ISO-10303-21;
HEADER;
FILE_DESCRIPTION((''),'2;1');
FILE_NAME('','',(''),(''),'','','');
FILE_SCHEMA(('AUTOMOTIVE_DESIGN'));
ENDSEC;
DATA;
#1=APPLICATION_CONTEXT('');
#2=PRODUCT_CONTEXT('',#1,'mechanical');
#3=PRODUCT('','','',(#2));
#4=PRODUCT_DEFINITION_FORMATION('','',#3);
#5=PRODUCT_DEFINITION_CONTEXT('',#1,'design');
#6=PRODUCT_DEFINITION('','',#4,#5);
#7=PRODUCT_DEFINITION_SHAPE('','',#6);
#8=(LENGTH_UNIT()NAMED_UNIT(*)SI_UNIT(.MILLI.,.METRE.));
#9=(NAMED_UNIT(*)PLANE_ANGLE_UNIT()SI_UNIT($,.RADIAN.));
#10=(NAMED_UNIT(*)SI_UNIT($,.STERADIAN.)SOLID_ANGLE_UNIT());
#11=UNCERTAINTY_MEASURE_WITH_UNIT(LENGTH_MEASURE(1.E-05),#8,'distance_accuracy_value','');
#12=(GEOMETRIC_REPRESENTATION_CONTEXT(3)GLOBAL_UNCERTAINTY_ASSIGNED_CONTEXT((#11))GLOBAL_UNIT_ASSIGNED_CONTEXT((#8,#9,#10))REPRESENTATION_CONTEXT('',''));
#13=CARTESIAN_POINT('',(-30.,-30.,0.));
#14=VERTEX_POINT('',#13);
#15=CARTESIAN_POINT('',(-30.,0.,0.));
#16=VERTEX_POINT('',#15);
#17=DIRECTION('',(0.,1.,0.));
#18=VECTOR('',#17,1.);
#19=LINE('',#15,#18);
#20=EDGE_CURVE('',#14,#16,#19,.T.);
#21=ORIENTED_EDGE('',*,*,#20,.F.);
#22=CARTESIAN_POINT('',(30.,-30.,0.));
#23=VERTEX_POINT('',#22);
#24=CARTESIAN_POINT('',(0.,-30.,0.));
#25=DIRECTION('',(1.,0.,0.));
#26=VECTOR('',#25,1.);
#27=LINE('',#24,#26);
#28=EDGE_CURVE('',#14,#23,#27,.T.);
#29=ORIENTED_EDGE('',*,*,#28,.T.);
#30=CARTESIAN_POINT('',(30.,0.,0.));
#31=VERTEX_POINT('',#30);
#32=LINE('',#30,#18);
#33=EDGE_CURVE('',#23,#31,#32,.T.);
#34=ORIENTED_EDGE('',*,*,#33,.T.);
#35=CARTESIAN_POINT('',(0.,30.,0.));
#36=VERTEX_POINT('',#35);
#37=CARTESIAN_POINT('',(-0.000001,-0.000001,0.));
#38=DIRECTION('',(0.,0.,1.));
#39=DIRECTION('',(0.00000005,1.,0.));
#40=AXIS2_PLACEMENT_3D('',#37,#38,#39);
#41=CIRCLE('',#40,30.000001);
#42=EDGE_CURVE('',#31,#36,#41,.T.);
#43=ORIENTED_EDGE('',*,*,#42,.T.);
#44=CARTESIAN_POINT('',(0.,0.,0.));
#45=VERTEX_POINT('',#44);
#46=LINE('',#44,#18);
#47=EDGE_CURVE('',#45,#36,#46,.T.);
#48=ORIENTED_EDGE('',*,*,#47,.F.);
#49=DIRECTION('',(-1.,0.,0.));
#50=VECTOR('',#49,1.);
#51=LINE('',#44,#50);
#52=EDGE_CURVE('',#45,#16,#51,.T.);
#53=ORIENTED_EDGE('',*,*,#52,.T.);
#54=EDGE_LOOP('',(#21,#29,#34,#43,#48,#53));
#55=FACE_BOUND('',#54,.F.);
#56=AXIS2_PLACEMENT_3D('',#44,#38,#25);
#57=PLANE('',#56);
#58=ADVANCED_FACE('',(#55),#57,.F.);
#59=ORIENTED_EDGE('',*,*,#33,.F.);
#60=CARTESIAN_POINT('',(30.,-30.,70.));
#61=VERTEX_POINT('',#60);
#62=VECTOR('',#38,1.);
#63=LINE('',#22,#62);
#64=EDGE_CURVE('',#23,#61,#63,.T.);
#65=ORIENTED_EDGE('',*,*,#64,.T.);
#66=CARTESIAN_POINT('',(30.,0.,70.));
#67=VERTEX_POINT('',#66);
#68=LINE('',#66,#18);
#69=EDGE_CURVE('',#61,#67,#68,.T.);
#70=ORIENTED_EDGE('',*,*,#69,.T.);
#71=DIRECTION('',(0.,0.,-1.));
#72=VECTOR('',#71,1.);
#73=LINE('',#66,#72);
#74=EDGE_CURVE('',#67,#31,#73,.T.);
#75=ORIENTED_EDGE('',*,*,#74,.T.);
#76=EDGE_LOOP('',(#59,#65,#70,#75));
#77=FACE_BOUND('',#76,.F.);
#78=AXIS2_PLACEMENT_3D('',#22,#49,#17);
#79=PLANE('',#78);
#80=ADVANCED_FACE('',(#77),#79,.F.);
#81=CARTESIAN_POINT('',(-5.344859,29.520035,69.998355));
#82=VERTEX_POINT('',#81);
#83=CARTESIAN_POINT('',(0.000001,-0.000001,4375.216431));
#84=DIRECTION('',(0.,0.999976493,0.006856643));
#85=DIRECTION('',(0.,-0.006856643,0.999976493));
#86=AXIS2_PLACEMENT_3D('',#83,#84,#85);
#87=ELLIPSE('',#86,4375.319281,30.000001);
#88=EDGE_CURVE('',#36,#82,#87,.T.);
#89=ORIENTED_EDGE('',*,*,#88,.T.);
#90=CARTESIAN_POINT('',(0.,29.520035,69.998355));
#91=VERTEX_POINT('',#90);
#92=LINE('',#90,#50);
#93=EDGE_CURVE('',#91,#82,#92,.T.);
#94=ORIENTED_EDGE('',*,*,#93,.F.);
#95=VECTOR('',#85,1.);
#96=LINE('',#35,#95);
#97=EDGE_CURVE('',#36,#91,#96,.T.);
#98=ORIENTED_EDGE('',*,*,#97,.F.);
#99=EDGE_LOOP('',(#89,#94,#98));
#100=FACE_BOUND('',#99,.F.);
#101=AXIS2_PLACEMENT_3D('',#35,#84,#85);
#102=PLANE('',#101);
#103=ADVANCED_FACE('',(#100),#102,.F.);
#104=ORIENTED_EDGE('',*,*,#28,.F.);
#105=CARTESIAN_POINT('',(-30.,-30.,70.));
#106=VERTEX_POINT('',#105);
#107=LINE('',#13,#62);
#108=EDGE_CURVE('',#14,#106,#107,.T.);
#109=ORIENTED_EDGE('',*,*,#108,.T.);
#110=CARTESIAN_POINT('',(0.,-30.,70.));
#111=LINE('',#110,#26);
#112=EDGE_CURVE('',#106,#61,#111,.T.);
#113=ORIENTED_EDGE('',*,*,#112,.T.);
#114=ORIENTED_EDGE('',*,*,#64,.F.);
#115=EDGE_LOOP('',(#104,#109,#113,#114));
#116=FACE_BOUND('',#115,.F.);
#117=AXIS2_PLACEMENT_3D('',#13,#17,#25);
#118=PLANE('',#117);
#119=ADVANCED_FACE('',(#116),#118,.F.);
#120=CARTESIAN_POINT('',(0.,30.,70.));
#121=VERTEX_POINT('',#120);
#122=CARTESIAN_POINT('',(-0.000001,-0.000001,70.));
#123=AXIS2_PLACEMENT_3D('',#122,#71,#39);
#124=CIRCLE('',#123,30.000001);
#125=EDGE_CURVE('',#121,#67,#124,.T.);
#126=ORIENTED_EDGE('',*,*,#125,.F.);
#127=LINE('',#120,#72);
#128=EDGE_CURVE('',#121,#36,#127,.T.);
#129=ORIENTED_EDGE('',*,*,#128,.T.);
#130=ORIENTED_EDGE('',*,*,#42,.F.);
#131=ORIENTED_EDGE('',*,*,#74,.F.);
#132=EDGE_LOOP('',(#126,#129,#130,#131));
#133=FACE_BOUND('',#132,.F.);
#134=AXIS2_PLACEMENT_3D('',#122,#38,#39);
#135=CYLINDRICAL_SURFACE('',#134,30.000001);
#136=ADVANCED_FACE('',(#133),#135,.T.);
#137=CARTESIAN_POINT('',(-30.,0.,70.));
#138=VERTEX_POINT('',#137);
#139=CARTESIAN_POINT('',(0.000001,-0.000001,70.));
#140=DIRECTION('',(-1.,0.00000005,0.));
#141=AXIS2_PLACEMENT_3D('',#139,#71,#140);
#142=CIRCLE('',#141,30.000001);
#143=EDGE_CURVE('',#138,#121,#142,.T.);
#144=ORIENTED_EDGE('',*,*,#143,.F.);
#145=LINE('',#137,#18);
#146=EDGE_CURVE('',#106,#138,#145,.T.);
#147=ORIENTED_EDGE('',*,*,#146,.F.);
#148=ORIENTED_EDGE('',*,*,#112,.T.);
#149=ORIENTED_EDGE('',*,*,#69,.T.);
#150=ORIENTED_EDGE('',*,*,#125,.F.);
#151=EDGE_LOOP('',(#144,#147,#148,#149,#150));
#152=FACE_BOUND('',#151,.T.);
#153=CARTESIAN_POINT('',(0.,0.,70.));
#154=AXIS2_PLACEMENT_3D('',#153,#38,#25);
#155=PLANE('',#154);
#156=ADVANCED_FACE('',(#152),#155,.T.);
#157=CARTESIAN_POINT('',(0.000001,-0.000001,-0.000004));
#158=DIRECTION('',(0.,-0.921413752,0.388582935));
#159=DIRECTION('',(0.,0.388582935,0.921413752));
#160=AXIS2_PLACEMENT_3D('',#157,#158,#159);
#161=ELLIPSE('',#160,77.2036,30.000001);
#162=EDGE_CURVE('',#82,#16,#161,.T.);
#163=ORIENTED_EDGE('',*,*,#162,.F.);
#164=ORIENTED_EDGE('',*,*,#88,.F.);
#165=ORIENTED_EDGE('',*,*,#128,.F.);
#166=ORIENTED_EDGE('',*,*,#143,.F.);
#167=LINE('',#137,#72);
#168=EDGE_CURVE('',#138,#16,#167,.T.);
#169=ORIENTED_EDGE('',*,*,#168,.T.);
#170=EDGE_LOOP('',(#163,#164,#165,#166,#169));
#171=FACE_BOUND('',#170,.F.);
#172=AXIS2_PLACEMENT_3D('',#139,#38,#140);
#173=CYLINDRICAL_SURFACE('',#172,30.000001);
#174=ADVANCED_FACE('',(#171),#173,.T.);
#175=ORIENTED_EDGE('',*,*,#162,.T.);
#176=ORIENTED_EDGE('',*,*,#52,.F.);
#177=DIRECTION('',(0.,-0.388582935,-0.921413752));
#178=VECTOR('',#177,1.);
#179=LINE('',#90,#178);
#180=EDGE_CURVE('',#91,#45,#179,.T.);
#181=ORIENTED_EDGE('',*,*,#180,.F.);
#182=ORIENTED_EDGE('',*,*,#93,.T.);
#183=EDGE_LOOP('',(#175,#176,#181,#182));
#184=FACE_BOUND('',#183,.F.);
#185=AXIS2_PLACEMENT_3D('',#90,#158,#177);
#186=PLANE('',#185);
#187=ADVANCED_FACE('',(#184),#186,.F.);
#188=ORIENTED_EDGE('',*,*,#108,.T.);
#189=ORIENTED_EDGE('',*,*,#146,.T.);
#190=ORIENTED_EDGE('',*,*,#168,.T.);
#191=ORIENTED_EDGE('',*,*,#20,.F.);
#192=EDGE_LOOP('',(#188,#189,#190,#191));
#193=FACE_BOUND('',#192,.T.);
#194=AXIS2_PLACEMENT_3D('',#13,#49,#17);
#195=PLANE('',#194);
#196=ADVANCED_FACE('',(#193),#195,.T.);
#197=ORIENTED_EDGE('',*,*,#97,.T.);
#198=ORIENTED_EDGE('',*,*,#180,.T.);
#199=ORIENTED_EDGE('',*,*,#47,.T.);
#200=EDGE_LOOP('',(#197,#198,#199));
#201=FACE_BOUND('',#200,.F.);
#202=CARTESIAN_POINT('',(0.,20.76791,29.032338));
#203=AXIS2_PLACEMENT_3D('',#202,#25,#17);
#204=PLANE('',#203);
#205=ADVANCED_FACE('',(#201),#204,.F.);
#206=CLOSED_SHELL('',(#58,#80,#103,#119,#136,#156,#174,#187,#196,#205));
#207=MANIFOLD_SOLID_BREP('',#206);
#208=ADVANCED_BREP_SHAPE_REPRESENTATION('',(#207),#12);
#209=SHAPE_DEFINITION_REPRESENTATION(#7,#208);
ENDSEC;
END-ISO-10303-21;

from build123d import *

# Parameters (mm, degrees)
F0_W     = 60
F0_H     = 60
F1_DEPTH = 70
F3_DEPTH = 70.001
F5_DEPTH = 30.001


with BuildPart() as f1:
    # F0 (on Top) → F1 (new body)
    with BuildSketch(Plane.XY):
        Rectangle(F0_W, F0_H)
    extrude(amount=F1_DEPTH)

    # F2 (on face) → F3 (cut, through all)
    with BuildSketch(Plane.XY.offset(70)):
        with BuildLine():
            ThreePointArc((0, 30), (21.213203, 21.213203), (30, 0))
            Line((30, 0), (30, 30))
            Line((30, 30), (0, 30))
        make_face()
        with BuildLine():
            ThreePointArc((-30, 0), (-21.213203, 21.213203), (0, 30))
            Line((0, 30), (-30, 30))
            Line((-30, 30), (-30, 0))
        make_face()
    extrude(amount=-F3_DEPTH, mode=Mode.SUBTRACT)

    # F4 (on Right) → F5 (cut, through all)
    with BuildSketch(Plane.YZ):
        Polygon((30, 0), (29.520035, 69.998355), (0, 0), align=None)
    extrude(amount=-F5_DEPTH, mode=Mode.SUBTRACT)


solid = f1.part
